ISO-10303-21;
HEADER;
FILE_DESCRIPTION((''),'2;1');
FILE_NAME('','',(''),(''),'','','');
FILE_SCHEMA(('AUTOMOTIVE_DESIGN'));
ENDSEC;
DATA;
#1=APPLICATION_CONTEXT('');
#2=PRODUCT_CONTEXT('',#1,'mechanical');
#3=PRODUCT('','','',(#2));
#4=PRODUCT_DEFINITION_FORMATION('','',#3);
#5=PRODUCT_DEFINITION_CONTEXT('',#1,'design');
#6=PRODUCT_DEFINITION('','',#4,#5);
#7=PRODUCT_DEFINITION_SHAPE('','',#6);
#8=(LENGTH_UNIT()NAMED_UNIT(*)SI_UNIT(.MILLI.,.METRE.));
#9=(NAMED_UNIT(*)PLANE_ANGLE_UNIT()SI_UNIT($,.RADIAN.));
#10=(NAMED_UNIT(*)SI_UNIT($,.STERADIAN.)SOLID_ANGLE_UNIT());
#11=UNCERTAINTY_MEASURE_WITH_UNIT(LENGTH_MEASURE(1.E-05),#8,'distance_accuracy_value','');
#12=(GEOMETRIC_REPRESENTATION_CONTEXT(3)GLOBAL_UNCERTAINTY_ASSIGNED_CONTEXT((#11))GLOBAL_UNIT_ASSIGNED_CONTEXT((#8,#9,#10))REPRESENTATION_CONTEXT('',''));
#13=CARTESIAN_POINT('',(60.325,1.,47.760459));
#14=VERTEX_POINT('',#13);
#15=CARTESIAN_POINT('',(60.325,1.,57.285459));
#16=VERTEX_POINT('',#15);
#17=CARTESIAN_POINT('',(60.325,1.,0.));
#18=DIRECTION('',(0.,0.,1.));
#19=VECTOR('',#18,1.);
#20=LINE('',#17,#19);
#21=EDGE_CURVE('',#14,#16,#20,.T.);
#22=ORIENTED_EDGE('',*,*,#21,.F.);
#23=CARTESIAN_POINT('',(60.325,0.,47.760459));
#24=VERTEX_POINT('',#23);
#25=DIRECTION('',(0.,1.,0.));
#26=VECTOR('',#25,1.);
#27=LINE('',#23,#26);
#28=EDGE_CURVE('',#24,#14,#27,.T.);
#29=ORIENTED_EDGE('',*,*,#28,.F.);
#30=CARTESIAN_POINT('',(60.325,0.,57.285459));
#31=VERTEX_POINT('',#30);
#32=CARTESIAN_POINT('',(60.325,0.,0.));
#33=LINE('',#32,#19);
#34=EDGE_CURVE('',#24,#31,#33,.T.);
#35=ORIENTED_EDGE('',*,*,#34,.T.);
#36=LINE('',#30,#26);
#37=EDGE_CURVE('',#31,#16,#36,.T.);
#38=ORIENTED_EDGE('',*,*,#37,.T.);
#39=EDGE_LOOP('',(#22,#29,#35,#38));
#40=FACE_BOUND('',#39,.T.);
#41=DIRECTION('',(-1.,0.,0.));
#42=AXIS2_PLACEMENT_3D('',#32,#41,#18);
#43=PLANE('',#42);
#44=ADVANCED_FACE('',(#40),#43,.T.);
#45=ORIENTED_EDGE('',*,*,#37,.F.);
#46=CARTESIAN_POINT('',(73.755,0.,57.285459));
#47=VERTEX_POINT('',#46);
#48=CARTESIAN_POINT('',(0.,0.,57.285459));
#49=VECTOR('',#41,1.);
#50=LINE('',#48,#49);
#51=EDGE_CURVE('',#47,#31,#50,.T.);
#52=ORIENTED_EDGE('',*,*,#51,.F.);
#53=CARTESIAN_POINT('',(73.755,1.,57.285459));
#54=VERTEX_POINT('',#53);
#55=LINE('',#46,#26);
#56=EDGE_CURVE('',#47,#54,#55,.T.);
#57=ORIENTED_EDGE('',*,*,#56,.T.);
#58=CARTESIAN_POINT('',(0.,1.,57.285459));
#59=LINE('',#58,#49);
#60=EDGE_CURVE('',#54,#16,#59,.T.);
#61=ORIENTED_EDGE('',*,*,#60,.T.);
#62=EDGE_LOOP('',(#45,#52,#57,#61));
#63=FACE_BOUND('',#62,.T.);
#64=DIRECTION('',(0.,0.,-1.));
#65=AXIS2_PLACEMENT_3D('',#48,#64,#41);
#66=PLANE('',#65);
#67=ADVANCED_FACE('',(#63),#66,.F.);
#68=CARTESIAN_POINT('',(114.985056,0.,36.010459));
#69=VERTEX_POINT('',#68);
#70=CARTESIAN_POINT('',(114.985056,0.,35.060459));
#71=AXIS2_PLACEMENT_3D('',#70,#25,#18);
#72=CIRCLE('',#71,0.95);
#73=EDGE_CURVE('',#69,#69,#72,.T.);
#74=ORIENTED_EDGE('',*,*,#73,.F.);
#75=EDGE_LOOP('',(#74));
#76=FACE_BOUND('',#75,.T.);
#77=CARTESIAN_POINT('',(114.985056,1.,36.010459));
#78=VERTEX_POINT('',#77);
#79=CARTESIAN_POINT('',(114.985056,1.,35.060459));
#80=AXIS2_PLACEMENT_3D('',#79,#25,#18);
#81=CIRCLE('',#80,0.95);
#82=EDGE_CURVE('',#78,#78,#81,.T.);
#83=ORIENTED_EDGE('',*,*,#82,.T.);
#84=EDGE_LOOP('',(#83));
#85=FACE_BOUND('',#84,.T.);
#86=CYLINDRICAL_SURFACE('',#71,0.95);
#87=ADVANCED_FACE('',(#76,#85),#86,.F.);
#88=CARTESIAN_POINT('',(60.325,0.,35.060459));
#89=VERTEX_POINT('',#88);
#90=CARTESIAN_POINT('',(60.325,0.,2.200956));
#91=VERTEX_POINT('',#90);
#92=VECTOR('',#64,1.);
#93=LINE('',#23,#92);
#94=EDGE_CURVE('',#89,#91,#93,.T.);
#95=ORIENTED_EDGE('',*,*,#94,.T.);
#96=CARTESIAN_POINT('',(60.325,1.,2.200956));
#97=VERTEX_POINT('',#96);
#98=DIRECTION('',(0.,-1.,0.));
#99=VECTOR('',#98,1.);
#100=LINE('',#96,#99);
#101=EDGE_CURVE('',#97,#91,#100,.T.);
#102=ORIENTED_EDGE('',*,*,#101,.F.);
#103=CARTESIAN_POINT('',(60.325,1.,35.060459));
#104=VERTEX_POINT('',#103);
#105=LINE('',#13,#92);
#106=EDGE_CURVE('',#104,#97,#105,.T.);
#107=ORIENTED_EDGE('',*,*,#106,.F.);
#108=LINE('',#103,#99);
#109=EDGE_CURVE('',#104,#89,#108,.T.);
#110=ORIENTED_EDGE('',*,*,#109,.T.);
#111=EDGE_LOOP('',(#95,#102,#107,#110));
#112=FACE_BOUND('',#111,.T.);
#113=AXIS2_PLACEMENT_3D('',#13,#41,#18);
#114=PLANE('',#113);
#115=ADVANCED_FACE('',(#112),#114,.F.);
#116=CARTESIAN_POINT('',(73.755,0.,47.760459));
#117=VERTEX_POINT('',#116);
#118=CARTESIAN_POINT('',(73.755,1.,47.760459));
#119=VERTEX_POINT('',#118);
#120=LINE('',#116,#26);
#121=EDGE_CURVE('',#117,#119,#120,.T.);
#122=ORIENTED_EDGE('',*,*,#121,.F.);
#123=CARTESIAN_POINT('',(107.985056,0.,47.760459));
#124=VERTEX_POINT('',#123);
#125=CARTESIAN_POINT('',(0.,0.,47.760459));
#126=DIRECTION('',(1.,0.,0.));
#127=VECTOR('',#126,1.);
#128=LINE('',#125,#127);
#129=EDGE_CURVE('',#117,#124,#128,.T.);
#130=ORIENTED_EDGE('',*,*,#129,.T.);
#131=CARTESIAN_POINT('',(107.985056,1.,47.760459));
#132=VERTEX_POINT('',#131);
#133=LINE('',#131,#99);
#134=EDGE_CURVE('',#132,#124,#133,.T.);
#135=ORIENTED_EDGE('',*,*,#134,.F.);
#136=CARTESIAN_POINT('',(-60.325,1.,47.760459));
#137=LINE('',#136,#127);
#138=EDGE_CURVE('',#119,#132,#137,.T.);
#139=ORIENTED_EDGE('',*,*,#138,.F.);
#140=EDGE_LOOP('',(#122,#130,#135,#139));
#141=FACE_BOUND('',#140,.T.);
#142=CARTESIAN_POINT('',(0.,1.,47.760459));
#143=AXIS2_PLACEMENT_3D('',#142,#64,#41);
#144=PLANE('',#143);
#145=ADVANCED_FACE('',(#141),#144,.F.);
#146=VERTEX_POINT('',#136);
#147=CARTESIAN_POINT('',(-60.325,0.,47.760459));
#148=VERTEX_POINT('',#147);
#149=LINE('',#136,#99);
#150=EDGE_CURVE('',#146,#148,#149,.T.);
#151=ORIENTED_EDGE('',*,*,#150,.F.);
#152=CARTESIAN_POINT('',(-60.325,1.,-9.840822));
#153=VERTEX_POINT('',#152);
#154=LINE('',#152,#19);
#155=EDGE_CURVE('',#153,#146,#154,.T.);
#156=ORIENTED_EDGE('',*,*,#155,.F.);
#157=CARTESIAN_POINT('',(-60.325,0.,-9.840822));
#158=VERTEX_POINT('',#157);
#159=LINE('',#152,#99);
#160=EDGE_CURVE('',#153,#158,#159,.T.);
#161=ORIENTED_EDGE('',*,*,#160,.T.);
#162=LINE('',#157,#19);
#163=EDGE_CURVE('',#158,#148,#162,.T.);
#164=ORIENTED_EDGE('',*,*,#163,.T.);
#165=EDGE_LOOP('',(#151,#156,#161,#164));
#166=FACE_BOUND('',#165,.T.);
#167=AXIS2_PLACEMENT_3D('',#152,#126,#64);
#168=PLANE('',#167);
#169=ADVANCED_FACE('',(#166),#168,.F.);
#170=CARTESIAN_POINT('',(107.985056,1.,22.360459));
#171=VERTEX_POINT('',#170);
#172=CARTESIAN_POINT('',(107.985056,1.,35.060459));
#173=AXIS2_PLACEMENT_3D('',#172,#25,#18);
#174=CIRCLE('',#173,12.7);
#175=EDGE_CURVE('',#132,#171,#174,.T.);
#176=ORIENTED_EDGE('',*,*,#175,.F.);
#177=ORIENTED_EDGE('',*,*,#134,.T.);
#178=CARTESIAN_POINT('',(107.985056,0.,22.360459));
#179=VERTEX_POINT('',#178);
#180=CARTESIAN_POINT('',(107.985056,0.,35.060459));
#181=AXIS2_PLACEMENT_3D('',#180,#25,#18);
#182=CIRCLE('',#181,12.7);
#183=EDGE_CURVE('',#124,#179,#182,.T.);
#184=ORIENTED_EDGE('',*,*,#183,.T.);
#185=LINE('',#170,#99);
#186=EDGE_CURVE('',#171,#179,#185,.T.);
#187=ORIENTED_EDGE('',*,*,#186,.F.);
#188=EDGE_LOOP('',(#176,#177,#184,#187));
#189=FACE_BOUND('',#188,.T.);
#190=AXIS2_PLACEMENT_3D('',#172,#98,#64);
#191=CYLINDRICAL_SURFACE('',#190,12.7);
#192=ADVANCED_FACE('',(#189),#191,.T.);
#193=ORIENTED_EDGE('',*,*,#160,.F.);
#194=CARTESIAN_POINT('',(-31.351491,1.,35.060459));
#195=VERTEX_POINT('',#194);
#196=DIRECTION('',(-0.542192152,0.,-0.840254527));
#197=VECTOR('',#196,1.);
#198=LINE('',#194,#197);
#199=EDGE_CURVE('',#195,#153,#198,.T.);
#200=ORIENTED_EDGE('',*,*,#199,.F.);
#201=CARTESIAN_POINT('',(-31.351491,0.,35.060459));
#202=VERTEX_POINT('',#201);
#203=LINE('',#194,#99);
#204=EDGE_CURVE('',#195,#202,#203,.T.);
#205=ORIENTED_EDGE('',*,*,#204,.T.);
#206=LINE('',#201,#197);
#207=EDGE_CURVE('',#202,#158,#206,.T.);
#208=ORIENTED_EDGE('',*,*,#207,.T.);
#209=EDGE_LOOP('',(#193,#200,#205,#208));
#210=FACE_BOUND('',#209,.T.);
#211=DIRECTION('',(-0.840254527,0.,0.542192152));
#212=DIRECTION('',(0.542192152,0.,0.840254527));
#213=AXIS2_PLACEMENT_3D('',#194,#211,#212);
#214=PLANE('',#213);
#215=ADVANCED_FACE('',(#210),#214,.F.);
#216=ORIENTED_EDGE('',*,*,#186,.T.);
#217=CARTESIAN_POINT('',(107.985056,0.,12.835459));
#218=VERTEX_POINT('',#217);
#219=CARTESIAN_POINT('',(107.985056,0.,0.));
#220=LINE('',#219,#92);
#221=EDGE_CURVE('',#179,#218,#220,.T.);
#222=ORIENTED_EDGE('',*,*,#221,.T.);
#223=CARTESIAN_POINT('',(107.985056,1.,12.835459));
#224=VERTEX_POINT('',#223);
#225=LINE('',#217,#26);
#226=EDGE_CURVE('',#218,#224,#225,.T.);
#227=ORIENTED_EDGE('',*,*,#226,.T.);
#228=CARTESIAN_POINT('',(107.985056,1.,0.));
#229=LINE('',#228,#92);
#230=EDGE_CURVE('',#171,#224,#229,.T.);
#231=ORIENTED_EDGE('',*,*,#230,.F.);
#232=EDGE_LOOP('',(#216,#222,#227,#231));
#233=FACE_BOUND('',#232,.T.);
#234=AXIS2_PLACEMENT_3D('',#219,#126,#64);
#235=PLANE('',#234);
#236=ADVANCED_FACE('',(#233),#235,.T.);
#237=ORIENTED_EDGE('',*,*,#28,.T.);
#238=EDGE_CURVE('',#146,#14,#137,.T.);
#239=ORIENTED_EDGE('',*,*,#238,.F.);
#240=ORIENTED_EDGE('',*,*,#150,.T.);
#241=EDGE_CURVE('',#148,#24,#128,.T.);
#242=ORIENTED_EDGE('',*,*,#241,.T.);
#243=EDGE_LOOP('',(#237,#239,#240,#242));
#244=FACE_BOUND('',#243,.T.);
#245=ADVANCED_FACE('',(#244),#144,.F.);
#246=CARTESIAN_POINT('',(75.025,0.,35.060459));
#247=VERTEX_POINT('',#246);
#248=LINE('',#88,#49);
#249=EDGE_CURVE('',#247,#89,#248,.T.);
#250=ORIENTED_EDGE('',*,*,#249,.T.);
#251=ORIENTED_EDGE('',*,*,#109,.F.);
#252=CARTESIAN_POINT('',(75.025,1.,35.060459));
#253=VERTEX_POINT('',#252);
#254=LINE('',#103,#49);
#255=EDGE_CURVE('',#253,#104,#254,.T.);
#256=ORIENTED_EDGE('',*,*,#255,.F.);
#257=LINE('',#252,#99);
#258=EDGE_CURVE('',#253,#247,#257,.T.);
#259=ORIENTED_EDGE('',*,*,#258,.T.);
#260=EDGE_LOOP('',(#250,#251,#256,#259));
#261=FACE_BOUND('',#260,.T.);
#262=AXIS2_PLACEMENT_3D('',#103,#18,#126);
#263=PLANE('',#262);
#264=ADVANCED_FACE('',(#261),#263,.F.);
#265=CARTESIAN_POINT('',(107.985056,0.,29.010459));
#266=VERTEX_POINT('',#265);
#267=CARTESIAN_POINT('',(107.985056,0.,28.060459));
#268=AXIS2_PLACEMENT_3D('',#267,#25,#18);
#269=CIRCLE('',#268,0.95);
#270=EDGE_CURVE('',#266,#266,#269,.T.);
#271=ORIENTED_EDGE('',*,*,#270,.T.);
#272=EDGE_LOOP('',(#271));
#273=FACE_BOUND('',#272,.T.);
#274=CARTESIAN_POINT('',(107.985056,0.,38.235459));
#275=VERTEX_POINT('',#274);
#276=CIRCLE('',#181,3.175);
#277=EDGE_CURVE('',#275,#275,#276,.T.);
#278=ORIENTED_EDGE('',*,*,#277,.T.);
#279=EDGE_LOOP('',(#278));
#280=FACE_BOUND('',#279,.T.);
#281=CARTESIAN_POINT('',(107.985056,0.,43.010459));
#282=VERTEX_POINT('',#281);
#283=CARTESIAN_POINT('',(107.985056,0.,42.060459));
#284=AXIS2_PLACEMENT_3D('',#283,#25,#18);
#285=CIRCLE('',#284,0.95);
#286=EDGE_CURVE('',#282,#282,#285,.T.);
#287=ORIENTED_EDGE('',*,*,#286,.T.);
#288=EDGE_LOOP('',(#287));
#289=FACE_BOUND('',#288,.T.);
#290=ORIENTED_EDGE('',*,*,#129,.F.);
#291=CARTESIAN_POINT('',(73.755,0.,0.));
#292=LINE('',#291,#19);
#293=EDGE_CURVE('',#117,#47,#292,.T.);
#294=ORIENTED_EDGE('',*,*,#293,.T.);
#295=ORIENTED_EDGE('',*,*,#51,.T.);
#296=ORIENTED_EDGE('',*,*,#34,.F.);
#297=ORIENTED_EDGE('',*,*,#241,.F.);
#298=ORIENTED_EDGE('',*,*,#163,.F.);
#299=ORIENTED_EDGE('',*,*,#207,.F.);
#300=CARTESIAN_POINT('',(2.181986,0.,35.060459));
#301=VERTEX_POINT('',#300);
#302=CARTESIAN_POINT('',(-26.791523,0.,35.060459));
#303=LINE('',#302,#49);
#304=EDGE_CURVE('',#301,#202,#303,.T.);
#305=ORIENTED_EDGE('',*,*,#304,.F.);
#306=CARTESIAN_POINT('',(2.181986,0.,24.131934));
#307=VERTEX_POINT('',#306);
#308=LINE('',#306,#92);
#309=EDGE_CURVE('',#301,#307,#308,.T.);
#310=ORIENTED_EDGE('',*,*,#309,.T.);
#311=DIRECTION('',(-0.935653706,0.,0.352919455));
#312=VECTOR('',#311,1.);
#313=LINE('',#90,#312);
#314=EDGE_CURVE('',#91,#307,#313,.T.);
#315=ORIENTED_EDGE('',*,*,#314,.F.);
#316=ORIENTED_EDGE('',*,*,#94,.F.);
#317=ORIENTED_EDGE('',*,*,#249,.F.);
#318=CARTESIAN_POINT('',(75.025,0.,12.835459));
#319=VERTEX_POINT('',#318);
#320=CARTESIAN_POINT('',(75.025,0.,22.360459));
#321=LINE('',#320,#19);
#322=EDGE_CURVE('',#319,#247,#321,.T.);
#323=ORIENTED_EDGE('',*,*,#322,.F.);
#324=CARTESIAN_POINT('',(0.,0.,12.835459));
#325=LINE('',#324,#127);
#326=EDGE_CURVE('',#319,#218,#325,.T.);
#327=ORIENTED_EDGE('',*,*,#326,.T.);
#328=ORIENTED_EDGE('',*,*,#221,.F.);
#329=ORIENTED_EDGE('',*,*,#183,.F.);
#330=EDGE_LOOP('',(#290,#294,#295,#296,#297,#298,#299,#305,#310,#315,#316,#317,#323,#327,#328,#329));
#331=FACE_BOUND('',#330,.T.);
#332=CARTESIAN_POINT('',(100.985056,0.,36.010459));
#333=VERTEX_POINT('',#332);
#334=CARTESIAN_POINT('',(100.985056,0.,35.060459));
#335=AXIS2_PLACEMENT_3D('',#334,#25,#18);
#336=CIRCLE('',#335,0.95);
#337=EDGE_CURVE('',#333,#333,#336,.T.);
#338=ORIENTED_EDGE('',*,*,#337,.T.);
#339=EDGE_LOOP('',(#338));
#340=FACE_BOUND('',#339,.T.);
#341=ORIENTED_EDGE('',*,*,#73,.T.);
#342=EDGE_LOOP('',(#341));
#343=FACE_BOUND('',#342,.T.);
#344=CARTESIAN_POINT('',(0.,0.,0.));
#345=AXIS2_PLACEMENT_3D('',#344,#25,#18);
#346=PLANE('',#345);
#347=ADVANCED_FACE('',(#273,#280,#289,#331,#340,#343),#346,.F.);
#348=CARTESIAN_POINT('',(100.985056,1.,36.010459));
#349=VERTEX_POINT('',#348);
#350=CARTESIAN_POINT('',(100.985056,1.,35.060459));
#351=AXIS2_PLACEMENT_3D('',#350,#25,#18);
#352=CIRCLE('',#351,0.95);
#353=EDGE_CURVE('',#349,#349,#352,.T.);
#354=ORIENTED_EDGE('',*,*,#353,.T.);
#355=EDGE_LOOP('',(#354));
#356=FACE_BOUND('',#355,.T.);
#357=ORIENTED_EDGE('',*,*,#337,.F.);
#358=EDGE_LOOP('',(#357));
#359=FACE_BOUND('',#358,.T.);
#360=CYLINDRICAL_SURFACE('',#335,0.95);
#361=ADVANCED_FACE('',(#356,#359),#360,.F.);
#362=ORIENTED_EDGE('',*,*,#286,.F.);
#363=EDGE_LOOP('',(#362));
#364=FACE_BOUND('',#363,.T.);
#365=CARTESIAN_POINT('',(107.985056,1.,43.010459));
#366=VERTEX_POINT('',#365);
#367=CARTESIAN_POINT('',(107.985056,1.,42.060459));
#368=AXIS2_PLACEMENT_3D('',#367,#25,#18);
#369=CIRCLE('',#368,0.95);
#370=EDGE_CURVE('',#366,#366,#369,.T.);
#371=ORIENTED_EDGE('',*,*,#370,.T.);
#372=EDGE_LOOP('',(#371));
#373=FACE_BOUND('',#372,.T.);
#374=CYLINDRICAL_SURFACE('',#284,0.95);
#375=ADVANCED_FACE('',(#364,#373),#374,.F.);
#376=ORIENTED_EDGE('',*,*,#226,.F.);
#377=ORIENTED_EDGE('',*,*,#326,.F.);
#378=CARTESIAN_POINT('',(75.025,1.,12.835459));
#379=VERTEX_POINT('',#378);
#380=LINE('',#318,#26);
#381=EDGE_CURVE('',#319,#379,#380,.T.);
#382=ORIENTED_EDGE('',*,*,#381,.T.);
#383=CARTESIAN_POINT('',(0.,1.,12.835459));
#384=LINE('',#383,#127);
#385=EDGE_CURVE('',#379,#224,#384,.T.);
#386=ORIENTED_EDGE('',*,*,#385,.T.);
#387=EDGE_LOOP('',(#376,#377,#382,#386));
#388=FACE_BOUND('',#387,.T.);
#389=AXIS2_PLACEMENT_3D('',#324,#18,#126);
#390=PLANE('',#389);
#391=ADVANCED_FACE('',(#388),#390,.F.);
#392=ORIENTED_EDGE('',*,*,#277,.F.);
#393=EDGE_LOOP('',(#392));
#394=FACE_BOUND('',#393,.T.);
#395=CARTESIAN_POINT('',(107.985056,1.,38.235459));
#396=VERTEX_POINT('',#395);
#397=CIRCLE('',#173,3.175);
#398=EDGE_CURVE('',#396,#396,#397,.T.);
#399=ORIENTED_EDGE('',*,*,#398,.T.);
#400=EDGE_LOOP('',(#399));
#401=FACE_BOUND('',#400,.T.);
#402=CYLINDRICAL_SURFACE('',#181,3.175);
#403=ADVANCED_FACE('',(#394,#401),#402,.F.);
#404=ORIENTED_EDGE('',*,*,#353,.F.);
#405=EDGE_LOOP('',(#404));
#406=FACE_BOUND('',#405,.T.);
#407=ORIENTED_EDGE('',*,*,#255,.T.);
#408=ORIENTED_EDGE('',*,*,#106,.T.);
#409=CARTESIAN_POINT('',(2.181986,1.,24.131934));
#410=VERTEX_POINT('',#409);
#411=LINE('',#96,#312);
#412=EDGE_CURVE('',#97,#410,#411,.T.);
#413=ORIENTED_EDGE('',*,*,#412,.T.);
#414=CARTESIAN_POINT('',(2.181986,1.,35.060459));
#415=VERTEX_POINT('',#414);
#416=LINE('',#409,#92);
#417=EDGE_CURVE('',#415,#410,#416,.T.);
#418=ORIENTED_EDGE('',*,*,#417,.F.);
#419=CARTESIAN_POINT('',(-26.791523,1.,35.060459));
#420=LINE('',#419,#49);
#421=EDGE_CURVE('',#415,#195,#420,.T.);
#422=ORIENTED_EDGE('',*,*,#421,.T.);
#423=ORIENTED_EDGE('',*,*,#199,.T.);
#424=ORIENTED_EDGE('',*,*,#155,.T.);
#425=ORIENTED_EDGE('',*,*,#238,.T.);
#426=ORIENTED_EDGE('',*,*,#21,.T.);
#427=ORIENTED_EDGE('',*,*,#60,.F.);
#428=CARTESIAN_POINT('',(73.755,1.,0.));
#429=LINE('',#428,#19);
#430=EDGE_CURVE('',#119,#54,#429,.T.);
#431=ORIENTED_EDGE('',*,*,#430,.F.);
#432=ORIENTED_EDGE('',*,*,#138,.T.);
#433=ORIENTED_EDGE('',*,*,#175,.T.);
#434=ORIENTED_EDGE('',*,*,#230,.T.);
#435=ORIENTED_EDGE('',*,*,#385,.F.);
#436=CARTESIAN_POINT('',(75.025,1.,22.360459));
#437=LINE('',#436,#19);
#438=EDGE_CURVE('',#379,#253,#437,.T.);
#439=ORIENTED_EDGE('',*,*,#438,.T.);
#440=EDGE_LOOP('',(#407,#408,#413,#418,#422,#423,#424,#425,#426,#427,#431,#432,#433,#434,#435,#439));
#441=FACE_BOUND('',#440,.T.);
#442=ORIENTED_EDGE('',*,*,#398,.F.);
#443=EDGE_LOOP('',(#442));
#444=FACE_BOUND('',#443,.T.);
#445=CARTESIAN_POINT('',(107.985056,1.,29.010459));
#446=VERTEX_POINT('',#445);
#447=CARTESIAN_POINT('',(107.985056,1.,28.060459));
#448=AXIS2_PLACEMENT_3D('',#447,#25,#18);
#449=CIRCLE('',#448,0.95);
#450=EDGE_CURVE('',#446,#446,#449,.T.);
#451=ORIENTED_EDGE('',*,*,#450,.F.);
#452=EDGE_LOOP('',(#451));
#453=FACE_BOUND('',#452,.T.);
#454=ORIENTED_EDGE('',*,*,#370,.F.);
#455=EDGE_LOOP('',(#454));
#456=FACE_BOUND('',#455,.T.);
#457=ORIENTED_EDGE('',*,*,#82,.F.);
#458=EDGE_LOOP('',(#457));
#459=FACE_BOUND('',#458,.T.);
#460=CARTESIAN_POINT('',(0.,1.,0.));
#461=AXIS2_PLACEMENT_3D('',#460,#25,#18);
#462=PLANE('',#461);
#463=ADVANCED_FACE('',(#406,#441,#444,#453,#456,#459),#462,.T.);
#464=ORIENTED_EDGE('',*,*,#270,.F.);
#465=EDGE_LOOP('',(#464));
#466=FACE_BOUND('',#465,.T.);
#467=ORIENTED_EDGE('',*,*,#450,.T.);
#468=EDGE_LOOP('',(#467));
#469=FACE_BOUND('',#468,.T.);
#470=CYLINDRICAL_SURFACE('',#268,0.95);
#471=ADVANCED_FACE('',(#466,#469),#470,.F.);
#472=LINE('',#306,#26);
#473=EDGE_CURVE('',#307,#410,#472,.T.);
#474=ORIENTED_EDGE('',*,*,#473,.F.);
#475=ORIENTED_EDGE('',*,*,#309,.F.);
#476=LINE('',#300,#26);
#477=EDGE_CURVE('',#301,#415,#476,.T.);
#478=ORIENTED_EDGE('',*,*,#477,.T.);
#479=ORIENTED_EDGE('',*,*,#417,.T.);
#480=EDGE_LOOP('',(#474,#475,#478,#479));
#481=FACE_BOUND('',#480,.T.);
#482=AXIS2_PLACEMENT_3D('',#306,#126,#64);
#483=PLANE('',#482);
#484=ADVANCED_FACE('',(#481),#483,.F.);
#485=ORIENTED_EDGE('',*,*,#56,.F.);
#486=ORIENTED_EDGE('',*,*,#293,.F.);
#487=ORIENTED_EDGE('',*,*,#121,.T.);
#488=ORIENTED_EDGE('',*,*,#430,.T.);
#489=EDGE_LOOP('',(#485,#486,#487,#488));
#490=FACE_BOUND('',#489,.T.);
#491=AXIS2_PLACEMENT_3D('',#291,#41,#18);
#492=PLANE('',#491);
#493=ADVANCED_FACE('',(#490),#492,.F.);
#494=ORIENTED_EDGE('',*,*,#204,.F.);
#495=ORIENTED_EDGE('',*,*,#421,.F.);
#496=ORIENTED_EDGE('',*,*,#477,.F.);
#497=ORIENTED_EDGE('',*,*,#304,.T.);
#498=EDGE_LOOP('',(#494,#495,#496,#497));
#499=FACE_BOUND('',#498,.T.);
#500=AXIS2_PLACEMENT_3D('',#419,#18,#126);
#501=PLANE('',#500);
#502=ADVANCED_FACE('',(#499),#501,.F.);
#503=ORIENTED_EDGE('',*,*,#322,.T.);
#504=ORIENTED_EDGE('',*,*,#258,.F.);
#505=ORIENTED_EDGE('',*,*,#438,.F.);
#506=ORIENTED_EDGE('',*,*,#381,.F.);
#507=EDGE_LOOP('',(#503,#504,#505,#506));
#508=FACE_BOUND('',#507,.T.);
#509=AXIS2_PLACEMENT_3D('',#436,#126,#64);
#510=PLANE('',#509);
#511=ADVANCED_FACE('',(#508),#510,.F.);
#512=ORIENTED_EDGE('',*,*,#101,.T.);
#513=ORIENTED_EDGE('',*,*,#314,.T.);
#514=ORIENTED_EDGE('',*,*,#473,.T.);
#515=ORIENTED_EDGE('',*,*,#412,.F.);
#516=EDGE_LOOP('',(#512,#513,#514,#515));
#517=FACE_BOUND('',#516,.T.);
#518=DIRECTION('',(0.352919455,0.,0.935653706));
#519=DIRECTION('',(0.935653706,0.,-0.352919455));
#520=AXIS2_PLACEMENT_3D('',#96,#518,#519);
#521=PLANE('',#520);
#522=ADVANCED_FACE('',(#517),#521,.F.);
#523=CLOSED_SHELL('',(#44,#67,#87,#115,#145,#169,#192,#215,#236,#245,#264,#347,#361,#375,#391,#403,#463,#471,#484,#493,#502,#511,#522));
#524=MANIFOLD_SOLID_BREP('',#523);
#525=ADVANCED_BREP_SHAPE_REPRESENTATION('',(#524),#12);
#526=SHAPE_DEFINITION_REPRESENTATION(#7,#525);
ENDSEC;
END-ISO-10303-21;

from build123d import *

# Parameters (mm, degrees)
BOSS_EXTRUDE2_DEPTH     = 1.000000032
BOSS_EXTRUDE4_DEPTH     = 1.000000032
SKETCH4_R               = 3.175
SKETCH4_R_2             = 0.950000005
CUT_EXTRUDE1_DEPTH      = 1
CUT_EXTRUDE1_DEPTH_BACK = 2.000000032
SKETCH6_W               = 13.430000064
SKETCH6_H               = 9.525
SKETCH6_W_2             = 32.960056
BOSS_EXTRUDE5_DEPTH     = 1.000000032
CUT_EXTRUDE2_DEPTH      = 1
CUT_EXTRUDE2_DEPTH_BACK = 2.000000032


with BuildPart() as part:
    # Sketch2 → Boss-Extrude2 (new body)
    with BuildSketch(Plane(origin=(0, 0, 0), x_dir=(1, 0, 0), z_dir=(0, 1, 0))):
        Polygon((-31.351491175, -35.060458992), (-60.325, 9.840821613), (-60.325, -47.760458992), (0, -47.760458992), (60.325, -47.760458992), (60.325, -2.200955885), (-26.791523135, -35.060458992), align=None)
    extrude(amount=BOSS_EXTRUDE2_DEPTH)

    # Sketch5 → Boss-Extrude4 (add)
    with BuildSketch(Plane(origin=(0, 0, 0), x_dir=(1, 0, 0), z_dir=(0, 1, 0))):
        with BuildLine():
            Line((60.325, -47.760458992), (75.025000064, -47.760458992))
            Line((75.025000064, -47.760458992), (107.985056064, -47.760458992))
            ThreePointArc((107.985056064, -47.760458992), (120.685056064, -35.060458992), (107.985056064, -22.360458992))
            Line((107.985056064, -22.360458992), (75.025000064, -22.360458992))
            Line((75.025000064, -22.360458992), (75.025000064, -35.060458992))
            Line((75.025000064, -35.060458992), (60.325, -35.060458992))
            Line((60.325, -35.060458992), (60.325, -47.760458992))
        make_face()
    extrude(amount=BOSS_EXTRUDE4_DEPTH)

    # Sketch4 → Cut-Extrude1 (cut, two sides)
    with BuildSketch(Plane(origin=(0, 1.000000032, 0), x_dir=(1, 0, 0), z_dir=(0, 1, 0))) as cut_extrude1_sk:
        with Locations((107.985056064, -35.060458992)):
            Circle(SKETCH4_R)
        with Locations((107.985056064, -42.060458962)):
            Circle(SKETCH4_R_2)
        with Locations((107.985056064, -28.060459022)):
            Circle(SKETCH4_R_2)
        with Locations((100.985056094, -35.060458992)):
            Circle(SKETCH4_R_2)
        with Locations((114.985056034, -35.060458992)):
            Circle(SKETCH4_R_2)
    extrude(amount=CUT_EXTRUDE1_DEPTH, mode=Mode.SUBTRACT)
    extrude(cut_extrude1_sk.sketch, amount=-CUT_EXTRUDE1_DEPTH_BACK, mode=Mode.SUBTRACT)

    # Sketch6 → Boss-Extrude5 (add)
    with BuildSketch(Plane(origin=(0, 1.000000032, 0), x_dir=(1, 0, 0), z_dir=(0, 1, 0))):
        with Locations((67.040000032, -52.522958992)):
            Rectangle(SKETCH6_W, SKETCH6_H)
        with Locations((91.505028064, -17.597958992)):
            Rectangle(SKETCH6_W_2, SKETCH6_H)
    extrude(amount=-BOSS_EXTRUDE5_DEPTH)

    # Sketch8 → Cut-Extrude2 (cut, two sides)
    with BuildSketch(Plane(origin=(0, 1.000000032, 0), x_dir=(1, 0, 0), z_dir=(0, 1, 0))) as cut_extrude2_sk:
        Polygon((-26.791523135, -35.060458992), (2.18198569, -24.131933967), (2.18198569, -35.060458992), align=None)
    extrude(amount=CUT_EXTRUDE2_DEPTH, mode=Mode.SUBTRACT)
    extrude(cut_extrude2_sk.sketch, amount=-CUT_EXTRUDE2_DEPTH_BACK, mode=Mode.SUBTRACT)


solid = part.part
